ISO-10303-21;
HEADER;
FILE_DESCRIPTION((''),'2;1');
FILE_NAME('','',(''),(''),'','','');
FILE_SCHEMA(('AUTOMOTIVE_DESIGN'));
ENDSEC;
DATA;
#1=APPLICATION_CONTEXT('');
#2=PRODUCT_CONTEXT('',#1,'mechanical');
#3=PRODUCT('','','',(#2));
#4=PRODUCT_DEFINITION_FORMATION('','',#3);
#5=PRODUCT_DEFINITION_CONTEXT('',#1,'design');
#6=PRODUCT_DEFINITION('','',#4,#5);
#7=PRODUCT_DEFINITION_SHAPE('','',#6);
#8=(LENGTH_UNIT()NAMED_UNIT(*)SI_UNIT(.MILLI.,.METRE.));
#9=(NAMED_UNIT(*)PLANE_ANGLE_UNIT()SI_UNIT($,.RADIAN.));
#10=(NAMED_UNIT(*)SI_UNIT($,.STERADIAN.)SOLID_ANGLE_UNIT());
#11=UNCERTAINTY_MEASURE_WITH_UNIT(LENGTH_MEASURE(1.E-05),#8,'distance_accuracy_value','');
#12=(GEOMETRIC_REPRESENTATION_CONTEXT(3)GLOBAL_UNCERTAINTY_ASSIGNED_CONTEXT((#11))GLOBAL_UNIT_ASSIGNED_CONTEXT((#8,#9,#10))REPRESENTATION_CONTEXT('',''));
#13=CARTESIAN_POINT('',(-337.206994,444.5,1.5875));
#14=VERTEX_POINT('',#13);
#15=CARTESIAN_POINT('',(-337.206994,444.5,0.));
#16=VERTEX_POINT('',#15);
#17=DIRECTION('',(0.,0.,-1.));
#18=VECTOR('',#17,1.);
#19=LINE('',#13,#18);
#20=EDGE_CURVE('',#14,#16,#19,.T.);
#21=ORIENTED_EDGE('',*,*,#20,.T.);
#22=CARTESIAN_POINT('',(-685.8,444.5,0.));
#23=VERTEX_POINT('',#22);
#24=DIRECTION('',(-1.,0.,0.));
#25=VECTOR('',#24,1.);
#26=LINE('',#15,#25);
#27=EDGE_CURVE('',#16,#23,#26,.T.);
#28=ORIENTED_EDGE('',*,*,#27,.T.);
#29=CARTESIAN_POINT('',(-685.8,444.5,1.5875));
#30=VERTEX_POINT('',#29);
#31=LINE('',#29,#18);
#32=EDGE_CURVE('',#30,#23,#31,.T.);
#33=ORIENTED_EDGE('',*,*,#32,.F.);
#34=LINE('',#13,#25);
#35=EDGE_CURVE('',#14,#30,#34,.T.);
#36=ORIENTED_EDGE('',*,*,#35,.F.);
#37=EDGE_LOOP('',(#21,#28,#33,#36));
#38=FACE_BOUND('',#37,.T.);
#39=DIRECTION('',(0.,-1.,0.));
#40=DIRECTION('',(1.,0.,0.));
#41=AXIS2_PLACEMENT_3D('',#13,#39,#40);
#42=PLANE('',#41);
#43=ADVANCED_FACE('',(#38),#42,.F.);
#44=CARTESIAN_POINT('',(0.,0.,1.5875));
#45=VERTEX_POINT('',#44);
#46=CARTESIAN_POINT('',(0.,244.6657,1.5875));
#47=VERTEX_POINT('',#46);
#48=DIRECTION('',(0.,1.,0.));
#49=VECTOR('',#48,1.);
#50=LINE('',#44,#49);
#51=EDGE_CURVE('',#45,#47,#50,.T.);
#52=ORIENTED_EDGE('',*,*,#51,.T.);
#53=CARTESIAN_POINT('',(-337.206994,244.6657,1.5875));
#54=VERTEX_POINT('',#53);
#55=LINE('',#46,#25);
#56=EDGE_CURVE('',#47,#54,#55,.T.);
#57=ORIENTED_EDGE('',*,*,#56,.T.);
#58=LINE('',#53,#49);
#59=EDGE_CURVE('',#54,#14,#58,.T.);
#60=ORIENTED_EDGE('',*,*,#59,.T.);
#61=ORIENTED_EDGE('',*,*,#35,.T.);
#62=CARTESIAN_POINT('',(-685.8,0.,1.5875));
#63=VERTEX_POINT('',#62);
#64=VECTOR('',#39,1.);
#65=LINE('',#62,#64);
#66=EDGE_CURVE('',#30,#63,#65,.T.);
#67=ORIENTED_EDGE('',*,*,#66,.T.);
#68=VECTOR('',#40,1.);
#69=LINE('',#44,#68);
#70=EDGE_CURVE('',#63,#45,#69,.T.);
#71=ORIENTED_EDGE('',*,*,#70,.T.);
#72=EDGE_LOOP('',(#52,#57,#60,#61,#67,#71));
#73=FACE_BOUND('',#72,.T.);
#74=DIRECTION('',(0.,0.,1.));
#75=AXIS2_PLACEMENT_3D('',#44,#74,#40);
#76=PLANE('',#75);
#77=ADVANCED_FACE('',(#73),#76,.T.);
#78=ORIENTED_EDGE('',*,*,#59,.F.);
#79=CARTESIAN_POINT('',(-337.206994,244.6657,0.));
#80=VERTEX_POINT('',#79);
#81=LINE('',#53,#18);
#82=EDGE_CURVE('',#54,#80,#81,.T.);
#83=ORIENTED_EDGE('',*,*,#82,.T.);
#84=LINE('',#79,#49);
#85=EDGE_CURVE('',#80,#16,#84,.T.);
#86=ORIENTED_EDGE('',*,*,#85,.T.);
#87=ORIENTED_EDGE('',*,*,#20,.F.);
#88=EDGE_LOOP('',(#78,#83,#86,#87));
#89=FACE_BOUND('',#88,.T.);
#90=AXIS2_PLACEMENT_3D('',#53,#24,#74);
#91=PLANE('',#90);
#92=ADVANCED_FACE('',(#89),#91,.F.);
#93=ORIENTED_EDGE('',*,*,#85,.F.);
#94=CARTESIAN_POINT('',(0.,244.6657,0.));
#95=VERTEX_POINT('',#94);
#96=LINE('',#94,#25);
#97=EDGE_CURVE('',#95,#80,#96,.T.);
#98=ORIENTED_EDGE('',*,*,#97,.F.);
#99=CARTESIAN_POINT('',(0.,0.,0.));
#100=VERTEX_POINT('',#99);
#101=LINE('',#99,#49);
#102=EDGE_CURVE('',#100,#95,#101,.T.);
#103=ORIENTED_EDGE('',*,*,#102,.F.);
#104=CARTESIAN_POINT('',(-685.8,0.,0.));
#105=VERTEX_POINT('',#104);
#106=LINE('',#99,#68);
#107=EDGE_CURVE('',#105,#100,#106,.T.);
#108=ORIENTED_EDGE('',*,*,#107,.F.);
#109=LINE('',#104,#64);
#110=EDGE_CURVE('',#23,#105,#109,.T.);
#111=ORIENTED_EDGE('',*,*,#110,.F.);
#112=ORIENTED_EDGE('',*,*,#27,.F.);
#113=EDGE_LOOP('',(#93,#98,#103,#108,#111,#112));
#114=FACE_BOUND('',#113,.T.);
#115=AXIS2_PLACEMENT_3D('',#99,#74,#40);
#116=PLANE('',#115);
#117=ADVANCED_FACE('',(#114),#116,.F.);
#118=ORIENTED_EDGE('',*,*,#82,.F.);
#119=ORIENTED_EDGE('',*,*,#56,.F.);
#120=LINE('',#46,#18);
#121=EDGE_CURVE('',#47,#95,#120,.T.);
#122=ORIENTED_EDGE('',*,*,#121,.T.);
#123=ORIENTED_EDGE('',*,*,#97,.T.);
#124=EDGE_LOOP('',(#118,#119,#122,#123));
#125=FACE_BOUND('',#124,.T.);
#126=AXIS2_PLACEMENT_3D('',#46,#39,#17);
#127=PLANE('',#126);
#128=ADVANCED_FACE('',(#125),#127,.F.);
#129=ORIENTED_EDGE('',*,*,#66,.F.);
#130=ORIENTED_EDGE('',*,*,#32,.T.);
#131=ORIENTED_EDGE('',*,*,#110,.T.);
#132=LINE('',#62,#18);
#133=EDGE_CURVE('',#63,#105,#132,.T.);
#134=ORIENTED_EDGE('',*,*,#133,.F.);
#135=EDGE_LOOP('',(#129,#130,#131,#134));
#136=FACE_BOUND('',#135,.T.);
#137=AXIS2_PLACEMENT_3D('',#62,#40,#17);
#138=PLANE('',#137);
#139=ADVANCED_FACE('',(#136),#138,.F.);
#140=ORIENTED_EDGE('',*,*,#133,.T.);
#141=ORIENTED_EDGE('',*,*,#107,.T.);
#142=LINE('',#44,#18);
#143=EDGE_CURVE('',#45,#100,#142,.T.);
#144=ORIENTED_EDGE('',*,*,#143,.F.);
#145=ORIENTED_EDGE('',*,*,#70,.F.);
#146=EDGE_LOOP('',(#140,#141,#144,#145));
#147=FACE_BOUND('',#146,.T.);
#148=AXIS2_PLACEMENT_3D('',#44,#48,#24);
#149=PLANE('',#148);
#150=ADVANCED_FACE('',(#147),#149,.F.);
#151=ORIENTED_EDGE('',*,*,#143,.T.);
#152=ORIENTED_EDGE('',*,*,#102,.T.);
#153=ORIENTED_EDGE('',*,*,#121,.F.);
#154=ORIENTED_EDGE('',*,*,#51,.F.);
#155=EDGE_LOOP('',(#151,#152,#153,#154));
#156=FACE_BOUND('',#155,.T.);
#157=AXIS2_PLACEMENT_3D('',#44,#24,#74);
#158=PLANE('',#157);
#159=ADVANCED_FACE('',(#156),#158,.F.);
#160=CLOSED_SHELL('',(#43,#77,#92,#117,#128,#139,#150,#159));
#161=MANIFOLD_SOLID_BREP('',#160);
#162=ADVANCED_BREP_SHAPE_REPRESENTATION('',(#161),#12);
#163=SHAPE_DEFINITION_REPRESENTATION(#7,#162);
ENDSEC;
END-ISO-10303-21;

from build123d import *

# Parameters (mm, degrees)
BOSS_EXTRUDE1_DEPTH = 1.5875


with BuildPart() as part:
    # Sketch1 → Boss-Extrude1 (new body)
    with BuildSketch(Plane.XY):
        Polygon((0, 244.6657), (-337.206993923, 244.6657), (-337.206993923, 444.5), (-685.8, 444.5), (-685.8, 0), (0, 0), align=None)
    extrude(amount=BOSS_EXTRUDE1_DEPTH)


solid = part.part
